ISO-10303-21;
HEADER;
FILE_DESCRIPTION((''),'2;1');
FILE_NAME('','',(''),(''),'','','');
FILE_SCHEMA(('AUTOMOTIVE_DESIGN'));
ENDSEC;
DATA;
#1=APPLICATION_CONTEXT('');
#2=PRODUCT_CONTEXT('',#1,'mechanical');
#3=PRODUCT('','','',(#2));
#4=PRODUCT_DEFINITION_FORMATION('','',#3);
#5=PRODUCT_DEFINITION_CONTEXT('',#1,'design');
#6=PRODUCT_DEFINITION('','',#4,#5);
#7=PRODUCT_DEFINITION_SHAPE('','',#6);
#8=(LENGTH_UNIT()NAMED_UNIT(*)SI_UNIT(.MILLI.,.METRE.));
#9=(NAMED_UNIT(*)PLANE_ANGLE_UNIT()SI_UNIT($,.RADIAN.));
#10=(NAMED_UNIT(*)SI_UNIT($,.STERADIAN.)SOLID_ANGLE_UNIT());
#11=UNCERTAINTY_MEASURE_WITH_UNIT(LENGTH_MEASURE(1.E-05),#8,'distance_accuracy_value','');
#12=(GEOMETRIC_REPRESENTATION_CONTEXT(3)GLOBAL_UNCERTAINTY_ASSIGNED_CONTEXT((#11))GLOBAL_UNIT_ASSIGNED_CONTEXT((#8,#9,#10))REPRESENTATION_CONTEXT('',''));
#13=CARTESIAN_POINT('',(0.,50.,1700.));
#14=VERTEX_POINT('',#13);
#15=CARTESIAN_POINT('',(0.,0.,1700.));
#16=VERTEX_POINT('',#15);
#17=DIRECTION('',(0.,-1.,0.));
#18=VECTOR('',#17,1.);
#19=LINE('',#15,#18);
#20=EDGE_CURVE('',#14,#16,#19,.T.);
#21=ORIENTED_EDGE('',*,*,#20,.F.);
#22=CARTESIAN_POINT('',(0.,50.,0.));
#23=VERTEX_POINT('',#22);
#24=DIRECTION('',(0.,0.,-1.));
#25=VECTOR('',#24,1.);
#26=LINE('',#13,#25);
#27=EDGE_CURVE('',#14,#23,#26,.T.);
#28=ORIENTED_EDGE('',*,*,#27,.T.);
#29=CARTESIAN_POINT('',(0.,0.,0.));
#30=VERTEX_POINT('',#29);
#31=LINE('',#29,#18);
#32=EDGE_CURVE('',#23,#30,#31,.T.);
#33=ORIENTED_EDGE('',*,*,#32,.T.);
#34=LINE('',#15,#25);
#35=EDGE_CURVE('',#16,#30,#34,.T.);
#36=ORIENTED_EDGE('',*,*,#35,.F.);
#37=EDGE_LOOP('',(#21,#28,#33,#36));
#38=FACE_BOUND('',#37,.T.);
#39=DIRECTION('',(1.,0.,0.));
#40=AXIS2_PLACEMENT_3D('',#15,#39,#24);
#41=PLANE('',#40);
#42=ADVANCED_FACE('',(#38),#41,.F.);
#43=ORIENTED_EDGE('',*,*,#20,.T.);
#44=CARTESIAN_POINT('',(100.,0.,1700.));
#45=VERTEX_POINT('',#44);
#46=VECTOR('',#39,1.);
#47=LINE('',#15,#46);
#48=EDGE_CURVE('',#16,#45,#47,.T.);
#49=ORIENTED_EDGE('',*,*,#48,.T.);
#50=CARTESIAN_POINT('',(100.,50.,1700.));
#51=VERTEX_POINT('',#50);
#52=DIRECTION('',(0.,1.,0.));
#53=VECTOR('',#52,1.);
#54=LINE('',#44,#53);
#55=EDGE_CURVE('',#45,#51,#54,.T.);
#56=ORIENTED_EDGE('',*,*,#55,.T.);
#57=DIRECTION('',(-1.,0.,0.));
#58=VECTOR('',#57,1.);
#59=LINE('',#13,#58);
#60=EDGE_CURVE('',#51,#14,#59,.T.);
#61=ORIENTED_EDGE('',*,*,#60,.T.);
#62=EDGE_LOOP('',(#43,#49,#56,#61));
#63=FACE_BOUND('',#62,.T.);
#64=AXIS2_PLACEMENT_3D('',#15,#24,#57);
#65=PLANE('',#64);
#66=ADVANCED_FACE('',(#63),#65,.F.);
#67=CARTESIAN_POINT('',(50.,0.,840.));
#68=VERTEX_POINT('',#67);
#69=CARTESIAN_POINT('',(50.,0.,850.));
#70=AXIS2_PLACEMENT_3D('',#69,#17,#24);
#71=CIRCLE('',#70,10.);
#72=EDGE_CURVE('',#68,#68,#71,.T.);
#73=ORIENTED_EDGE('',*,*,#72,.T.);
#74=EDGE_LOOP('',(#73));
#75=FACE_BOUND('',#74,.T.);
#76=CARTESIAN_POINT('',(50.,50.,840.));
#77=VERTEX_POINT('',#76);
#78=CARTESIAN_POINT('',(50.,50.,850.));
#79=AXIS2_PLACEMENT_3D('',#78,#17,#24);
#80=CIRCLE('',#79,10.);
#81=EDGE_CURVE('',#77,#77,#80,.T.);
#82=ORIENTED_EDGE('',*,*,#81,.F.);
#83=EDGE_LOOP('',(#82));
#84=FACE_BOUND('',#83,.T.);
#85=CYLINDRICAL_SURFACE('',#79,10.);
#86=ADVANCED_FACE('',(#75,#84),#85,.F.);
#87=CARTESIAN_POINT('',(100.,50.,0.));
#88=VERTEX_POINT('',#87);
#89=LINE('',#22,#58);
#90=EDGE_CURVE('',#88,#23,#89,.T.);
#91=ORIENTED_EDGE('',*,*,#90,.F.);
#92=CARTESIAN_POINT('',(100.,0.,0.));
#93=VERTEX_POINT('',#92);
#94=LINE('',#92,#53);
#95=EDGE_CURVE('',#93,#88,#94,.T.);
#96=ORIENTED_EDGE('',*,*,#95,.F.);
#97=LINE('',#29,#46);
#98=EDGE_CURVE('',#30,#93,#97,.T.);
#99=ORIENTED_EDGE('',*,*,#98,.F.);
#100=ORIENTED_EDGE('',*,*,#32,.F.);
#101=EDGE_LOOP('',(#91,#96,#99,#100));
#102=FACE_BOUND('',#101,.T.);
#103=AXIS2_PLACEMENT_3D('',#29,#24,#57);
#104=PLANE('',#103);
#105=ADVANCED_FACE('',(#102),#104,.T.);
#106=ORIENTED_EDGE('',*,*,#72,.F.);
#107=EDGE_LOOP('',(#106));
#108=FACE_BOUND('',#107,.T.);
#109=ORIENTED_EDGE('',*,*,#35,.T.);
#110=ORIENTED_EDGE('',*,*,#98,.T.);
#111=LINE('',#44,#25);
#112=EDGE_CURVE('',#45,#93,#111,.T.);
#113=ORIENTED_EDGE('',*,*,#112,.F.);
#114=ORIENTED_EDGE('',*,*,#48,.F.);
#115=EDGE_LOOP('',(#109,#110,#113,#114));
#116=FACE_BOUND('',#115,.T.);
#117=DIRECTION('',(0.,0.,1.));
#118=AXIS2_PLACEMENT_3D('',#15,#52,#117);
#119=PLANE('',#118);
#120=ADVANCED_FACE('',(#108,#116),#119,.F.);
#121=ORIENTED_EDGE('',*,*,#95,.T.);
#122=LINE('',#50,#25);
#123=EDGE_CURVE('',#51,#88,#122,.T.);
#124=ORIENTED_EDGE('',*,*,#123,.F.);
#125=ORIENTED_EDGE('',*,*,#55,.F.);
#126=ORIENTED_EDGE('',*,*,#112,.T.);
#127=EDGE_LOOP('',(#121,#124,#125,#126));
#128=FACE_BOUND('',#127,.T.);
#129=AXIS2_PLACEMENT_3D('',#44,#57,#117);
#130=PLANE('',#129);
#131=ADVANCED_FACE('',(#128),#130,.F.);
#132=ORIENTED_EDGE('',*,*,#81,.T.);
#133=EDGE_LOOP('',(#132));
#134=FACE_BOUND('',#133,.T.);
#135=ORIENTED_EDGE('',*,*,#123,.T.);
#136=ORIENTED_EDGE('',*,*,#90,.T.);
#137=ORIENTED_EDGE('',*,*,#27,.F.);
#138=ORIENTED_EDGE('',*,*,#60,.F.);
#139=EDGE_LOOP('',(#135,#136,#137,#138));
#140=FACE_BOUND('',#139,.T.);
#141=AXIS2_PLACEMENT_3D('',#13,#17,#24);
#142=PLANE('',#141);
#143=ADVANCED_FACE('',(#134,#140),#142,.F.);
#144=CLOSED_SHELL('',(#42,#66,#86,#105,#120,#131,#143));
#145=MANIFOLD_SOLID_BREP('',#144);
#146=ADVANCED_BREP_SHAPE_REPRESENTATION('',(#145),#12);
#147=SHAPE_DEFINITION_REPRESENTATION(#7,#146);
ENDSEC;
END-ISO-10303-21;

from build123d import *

# Parameters (mm, degrees)
ESQUISSE1_W             = 100
ESQUISSE1_H             = 50
BOSS_EXTRU_1_DEPTH      = 1700
ESQUISSE2_R             = 10
ENL_V_MAT_EXTRU_1_DEPTH = 1704.67250374


with BuildPart() as part:
    # Esquisse1 → Boss.-Extru.1 (new body)
    with BuildSketch(Plane.XY):
        with Locations((50, 25)):
            Rectangle(ESQUISSE1_W, ESQUISSE1_H)
    extrude(amount=BOSS_EXTRU_1_DEPTH)

    # Esquisse2 → Enlèv. mat.-Extru.1 (cut, through all)
    with BuildSketch(Plane.XZ):
        with Locations(Location((50, 850, 0), (0, 0, 270))):
            Circle(ESQUISSE2_R)
    extrude(amount=-ENL_V_MAT_EXTRU_1_DEPTH, mode=Mode.SUBTRACT)


solid = part.part
